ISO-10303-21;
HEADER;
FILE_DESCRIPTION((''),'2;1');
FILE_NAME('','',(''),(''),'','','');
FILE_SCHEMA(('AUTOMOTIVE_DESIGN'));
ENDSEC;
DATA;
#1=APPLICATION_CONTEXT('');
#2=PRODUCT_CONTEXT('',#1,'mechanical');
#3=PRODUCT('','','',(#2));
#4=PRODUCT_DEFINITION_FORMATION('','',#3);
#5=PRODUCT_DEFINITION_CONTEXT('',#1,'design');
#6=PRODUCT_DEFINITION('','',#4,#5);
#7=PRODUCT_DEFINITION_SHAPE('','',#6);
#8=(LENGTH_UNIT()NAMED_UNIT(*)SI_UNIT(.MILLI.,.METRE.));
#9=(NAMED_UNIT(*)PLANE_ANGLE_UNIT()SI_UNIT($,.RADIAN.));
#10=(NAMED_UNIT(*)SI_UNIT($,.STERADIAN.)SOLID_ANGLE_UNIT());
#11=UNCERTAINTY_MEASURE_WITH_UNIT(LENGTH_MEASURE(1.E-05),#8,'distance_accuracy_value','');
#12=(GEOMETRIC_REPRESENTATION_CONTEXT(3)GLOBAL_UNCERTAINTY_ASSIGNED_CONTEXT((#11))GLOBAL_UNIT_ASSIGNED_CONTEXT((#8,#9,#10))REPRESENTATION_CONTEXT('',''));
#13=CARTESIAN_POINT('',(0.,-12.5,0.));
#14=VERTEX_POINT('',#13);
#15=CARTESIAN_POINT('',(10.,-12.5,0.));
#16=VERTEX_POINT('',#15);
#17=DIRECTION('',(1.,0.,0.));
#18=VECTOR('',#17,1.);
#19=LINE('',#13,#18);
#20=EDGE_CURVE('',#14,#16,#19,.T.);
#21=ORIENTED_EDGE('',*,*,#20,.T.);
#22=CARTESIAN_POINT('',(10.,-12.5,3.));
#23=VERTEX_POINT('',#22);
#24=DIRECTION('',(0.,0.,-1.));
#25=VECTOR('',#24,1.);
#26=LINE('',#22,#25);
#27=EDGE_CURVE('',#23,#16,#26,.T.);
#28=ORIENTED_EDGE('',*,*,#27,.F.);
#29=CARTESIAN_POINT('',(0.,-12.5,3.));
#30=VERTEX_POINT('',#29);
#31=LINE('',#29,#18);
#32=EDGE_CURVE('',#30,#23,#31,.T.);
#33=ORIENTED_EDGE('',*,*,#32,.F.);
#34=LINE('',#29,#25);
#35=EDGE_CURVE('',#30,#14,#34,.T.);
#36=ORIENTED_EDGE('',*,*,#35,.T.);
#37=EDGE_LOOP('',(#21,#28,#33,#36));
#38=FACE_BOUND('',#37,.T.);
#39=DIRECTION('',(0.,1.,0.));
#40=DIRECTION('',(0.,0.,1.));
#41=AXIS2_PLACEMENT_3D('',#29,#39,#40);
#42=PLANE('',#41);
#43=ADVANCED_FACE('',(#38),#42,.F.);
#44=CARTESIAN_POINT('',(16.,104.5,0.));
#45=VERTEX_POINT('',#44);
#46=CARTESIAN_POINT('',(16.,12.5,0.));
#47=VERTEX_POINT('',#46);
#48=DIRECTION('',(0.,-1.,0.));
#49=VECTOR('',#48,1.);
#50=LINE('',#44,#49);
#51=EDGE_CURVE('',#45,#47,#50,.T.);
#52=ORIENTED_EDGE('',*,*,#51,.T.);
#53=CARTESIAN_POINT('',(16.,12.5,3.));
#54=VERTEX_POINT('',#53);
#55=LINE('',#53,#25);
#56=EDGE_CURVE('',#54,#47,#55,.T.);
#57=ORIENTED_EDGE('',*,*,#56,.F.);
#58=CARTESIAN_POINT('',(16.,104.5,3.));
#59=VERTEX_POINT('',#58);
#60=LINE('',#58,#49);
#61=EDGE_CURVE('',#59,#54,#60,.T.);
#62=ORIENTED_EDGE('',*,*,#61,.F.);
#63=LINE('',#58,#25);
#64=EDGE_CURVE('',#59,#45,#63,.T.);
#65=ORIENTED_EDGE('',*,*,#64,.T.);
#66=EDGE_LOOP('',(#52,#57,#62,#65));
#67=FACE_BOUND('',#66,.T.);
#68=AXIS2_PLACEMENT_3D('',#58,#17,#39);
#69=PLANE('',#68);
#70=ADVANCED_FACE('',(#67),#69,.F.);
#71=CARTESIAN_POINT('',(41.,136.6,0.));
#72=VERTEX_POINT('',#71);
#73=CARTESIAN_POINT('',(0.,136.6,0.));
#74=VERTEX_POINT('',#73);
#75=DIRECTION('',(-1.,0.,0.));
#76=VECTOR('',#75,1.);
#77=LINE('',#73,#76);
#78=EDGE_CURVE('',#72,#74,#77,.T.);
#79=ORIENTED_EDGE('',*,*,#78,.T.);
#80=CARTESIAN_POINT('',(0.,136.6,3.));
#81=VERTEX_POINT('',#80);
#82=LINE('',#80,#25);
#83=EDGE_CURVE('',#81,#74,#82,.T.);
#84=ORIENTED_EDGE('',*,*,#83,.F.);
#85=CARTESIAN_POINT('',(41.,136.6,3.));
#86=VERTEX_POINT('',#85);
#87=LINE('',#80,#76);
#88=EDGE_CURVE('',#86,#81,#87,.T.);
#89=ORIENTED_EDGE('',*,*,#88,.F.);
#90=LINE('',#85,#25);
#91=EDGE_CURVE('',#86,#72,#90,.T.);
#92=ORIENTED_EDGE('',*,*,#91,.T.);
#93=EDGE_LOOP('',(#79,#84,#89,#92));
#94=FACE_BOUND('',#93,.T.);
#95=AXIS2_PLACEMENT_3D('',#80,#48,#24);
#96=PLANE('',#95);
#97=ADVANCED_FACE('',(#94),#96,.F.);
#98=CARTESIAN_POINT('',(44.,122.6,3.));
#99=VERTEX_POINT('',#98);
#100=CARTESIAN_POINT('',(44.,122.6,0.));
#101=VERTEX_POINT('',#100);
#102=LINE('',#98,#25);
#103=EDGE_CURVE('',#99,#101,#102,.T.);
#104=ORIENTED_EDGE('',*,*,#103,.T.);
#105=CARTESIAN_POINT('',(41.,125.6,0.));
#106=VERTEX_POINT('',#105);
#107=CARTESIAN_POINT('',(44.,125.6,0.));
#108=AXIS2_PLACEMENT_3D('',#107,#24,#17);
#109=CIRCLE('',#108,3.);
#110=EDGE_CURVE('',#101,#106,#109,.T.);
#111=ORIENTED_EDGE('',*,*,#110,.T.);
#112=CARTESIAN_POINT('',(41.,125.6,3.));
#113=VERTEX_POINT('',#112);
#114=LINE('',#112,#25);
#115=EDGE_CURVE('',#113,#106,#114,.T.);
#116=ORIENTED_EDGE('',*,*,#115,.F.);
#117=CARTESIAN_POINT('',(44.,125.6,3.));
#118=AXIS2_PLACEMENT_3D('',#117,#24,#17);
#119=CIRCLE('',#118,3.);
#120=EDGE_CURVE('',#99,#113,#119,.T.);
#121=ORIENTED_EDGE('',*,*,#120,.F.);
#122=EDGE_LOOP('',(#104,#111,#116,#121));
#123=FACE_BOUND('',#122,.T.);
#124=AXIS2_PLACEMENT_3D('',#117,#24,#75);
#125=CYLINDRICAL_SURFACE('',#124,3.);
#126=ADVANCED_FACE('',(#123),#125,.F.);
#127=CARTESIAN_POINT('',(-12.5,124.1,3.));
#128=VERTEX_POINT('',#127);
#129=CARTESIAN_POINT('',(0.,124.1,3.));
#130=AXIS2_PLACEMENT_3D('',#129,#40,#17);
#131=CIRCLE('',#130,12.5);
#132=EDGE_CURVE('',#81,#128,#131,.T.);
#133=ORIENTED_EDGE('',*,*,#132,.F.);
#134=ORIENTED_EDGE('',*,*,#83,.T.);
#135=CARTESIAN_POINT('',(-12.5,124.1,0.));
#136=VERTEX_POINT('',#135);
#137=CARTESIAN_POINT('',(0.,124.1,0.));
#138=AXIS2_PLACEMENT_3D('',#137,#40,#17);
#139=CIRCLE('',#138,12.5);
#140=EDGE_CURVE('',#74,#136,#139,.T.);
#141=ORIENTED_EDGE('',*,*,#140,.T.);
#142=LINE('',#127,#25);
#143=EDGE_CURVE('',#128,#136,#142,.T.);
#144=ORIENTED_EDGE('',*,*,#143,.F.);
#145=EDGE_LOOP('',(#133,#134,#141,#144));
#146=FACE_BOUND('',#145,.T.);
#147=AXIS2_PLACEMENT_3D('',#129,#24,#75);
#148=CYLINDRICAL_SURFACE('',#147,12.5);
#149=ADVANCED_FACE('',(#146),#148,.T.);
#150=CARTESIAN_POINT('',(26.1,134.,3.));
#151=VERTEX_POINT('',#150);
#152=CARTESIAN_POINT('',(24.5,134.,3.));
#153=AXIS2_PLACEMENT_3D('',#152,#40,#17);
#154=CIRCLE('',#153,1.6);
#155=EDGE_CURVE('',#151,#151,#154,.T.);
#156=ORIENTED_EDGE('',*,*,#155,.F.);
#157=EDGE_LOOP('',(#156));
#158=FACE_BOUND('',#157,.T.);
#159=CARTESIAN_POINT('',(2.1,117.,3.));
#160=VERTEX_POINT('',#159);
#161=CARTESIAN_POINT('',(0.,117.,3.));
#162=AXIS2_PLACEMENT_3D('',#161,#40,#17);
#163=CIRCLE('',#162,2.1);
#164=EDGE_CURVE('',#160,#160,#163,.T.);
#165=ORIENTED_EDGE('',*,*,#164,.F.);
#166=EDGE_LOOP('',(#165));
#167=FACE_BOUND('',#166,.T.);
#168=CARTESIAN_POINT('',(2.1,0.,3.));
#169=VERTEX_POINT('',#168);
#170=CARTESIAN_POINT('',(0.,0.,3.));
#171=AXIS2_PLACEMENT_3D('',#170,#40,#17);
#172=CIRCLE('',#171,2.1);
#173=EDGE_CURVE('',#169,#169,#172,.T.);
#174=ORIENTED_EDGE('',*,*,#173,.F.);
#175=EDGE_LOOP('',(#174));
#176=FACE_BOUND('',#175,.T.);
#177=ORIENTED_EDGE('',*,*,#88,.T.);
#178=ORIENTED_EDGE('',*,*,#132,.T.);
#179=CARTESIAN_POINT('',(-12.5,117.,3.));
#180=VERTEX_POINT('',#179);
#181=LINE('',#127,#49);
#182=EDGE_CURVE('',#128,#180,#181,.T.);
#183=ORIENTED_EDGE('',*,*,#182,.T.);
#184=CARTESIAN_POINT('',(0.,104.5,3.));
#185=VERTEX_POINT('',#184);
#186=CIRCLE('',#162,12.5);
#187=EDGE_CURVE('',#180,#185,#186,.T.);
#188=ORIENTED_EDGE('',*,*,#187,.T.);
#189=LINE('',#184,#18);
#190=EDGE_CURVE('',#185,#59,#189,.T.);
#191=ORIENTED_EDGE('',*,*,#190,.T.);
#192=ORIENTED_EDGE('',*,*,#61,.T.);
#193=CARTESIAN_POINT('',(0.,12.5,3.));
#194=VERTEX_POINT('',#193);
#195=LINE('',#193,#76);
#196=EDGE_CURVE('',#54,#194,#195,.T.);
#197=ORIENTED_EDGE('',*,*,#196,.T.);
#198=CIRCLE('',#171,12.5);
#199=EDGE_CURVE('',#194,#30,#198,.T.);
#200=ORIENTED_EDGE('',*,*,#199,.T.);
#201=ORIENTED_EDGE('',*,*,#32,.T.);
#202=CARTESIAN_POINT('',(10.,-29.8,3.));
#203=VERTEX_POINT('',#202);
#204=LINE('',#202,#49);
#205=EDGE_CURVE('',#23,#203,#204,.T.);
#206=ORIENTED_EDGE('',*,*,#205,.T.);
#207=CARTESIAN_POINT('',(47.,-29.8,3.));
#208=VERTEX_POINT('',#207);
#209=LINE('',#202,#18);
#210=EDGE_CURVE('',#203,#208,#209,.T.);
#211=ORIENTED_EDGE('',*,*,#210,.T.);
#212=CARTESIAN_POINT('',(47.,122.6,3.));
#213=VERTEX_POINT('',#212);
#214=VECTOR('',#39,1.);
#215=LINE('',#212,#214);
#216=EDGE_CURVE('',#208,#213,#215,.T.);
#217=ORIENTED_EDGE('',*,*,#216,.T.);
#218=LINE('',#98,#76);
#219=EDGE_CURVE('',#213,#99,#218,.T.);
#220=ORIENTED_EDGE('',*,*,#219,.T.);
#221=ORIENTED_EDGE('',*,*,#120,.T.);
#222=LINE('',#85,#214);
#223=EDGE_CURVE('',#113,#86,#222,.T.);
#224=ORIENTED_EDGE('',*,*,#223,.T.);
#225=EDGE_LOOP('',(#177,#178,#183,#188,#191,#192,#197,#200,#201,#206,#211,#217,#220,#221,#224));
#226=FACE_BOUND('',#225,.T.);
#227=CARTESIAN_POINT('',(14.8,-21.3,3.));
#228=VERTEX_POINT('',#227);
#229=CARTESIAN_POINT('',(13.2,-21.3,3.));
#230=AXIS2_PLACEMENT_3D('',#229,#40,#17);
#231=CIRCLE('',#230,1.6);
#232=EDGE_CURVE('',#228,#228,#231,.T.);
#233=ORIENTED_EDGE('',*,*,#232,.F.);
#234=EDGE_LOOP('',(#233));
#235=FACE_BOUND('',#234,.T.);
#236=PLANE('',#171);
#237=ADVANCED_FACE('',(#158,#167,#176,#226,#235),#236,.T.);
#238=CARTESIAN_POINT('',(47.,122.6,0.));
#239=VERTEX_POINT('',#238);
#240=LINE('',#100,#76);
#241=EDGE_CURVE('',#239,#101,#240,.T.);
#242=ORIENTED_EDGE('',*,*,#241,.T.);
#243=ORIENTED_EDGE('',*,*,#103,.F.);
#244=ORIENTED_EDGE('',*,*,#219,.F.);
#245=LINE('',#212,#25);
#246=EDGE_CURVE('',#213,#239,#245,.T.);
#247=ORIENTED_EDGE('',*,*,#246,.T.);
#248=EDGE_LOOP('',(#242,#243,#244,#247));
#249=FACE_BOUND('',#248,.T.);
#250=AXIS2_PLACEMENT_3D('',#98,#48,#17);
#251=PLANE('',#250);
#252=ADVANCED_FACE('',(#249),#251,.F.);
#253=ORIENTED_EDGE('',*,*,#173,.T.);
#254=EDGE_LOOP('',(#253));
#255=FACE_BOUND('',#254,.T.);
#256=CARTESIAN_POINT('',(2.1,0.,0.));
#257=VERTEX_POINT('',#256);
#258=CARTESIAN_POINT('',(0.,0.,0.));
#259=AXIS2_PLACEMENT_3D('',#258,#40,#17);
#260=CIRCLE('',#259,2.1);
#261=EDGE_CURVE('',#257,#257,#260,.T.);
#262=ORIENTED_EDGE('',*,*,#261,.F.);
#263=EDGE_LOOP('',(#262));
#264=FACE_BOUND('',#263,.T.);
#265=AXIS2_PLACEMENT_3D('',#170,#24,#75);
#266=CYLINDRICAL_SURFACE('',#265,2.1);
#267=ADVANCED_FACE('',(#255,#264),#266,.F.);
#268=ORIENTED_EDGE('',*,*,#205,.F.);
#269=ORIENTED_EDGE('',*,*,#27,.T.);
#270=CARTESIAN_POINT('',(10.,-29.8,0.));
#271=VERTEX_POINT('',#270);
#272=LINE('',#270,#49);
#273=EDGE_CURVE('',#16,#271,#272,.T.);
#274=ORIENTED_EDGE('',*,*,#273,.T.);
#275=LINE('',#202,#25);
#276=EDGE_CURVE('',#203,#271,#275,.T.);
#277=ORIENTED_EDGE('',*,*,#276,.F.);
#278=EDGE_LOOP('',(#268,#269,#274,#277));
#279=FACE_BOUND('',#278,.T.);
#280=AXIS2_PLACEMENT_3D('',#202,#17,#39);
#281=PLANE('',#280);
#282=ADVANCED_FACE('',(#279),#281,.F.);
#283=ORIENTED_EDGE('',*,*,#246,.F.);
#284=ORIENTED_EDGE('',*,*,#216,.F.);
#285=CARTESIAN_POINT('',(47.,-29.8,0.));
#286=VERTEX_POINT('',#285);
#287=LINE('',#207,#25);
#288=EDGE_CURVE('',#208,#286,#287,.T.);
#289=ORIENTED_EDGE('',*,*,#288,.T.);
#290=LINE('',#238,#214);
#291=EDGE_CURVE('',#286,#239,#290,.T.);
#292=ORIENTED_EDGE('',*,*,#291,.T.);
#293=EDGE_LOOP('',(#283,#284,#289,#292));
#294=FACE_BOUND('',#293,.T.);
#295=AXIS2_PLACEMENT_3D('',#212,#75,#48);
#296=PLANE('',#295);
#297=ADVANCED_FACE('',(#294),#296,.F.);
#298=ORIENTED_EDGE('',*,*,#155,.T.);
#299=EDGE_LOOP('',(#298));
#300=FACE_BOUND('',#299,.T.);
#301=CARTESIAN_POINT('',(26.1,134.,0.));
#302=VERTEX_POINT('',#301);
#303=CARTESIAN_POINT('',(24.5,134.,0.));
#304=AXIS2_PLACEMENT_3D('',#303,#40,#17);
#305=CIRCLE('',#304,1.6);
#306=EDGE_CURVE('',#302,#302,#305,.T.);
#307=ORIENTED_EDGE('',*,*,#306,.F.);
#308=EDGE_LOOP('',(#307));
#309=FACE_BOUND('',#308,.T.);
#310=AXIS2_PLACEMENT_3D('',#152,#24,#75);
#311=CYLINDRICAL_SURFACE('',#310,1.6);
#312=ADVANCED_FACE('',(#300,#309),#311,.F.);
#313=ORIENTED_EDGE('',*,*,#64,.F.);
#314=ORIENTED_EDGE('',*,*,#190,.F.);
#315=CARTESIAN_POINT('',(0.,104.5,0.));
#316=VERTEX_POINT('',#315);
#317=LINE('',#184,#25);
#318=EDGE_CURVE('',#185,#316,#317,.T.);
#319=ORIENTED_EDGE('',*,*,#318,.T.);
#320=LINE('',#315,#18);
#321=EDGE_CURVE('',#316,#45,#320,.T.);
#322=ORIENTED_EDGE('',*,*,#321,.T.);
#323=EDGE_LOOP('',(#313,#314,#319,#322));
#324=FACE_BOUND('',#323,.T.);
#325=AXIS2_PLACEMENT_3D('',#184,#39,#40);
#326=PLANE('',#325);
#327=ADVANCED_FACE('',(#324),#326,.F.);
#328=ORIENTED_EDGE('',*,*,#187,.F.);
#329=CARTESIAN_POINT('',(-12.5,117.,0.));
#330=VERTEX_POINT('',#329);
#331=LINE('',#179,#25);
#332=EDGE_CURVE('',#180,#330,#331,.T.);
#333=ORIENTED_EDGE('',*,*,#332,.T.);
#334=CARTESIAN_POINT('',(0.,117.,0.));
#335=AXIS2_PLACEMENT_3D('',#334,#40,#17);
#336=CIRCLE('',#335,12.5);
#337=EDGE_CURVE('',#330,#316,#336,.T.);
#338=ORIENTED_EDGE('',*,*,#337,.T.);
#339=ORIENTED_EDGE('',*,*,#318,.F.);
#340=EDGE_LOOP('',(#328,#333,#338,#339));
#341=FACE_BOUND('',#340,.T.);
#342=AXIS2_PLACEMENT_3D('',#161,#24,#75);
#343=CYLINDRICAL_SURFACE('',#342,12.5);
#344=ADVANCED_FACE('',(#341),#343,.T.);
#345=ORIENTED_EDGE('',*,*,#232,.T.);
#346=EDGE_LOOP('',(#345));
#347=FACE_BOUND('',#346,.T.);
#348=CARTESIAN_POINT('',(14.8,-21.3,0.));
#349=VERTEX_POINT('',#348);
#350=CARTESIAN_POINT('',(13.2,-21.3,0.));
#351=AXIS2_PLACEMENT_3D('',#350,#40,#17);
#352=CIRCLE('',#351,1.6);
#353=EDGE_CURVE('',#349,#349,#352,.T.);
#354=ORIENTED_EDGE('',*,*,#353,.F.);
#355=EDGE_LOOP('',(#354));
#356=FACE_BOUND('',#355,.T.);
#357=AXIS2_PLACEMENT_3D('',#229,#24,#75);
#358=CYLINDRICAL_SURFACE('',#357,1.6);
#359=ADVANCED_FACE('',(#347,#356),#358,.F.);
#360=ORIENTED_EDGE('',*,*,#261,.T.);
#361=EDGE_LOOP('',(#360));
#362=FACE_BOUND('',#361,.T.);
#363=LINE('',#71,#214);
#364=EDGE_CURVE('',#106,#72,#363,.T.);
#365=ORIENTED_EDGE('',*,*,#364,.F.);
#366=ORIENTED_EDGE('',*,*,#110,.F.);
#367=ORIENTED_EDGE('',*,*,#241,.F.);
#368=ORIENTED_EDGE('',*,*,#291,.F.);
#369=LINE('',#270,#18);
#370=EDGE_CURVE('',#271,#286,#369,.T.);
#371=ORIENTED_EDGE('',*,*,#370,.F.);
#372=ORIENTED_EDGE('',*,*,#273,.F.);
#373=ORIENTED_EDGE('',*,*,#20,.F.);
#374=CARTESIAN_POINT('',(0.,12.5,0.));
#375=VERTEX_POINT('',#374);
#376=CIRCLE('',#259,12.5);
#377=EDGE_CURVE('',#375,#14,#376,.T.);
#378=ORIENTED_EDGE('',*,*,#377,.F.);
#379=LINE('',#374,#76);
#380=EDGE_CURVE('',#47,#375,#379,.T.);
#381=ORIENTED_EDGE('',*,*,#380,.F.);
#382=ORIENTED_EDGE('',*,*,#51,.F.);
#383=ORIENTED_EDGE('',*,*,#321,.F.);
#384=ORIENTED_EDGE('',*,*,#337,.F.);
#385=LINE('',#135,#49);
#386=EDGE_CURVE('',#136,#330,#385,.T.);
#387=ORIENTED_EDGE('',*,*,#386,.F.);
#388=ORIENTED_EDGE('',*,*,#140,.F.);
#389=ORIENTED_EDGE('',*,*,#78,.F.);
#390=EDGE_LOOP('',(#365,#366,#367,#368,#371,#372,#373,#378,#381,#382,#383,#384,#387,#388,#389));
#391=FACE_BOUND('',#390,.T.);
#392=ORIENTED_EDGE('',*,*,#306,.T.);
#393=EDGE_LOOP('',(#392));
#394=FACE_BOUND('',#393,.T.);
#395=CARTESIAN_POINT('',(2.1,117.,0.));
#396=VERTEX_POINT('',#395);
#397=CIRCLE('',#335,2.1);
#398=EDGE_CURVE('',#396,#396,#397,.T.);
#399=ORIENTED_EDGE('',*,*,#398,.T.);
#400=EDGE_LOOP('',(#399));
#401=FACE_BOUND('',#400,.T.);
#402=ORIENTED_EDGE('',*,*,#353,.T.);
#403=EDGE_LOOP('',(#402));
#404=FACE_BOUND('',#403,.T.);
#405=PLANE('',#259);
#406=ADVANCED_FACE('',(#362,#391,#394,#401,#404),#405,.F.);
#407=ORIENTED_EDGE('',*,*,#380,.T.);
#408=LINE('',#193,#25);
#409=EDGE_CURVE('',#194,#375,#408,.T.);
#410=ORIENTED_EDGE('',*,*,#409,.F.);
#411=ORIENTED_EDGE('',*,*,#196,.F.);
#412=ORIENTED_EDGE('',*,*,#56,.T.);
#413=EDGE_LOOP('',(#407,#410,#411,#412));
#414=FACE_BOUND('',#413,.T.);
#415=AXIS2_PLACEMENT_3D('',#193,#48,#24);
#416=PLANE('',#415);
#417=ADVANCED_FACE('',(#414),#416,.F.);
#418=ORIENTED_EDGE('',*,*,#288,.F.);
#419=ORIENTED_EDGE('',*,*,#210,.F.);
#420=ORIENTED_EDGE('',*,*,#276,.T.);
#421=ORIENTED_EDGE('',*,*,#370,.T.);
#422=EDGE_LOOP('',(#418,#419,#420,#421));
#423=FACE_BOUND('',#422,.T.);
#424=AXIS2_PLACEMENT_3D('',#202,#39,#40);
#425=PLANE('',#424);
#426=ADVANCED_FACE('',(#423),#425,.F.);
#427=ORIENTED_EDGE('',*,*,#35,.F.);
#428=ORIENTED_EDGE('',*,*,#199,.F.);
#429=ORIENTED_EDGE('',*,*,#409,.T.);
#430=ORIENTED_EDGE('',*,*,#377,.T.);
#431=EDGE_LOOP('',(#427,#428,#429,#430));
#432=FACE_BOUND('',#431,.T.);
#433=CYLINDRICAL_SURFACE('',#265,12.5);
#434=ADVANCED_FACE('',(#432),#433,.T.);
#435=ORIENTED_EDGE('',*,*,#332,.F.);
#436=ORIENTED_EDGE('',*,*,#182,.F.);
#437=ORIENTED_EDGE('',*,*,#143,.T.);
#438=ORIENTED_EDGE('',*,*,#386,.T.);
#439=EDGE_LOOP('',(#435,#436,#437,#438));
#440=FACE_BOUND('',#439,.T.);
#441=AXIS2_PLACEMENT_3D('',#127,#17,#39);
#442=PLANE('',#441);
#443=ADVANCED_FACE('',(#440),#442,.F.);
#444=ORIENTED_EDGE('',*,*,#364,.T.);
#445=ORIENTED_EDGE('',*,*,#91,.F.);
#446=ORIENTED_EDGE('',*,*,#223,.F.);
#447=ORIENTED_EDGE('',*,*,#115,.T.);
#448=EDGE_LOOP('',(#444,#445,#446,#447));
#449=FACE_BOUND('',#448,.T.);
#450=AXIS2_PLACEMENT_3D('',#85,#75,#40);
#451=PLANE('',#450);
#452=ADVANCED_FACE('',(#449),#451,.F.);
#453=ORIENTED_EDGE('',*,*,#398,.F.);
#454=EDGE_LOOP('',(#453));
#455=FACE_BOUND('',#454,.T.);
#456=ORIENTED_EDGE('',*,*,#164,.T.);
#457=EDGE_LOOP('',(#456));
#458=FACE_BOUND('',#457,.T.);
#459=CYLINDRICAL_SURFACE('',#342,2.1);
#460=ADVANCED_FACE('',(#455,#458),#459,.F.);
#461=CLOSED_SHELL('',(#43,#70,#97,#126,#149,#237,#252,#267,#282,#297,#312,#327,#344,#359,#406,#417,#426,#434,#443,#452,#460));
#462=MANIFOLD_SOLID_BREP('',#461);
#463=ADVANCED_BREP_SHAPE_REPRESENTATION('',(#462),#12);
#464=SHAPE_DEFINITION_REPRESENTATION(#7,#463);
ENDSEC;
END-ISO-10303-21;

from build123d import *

# Parameters (mm, degrees)
SKETCH1_R           = 2.1
SKETCH1_R_2         = 1.6
BOSS_EXTRUDE1_DEPTH = 3


with BuildPart() as part:
    # Sketch1 → Boss-Extrude1 (new body)
    with BuildSketch(Plane.XY):
        with BuildLine():
            Line((41, 136.6), (41, 125.6))
            ThreePointArc((41, 125.6), (41.878679656, 123.478679656), (44, 122.6))
            Line((44, 122.6), (47, 122.6))
            Line((47, 122.6), (47, -29.8))
            Line((47, -29.8), (10, -29.8))
            Line((10, -29.8), (10, -12.5))
            Line((10, -12.5), (0, -12.5))
            ThreePointArc((0, -12.5), (-12.5, 0), (0, 12.5))
            Line((0, 12.5), (16, 12.5))
            Line((16, 12.5), (16, 104.5))
            Line((16, 104.5), (0, 104.5))
            ThreePointArc((0, 104.5), (-8.838834765, 108.161165235), (-12.5, 117))
            Line((-12.5, 117), (-12.5, 124.1))
            ThreePointArc((-12.5, 124.1), (-8.838834765, 132.938834765), (0, 136.6))
            Line((0, 136.6), (41, 136.6))
        make_face()
        Circle(SKETCH1_R, mode=Mode.SUBTRACT)
        with Locations((0, 117)):
            Circle(SKETCH1_R, mode=Mode.SUBTRACT)
        with Locations((13.2, -21.3)):
            Circle(SKETCH1_R_2, mode=Mode.SUBTRACT)
        with Locations((24.5, 134)):
            Circle(SKETCH1_R_2, mode=Mode.SUBTRACT)
    extrude(amount=BOSS_EXTRUDE1_DEPTH)


solid = part.part
